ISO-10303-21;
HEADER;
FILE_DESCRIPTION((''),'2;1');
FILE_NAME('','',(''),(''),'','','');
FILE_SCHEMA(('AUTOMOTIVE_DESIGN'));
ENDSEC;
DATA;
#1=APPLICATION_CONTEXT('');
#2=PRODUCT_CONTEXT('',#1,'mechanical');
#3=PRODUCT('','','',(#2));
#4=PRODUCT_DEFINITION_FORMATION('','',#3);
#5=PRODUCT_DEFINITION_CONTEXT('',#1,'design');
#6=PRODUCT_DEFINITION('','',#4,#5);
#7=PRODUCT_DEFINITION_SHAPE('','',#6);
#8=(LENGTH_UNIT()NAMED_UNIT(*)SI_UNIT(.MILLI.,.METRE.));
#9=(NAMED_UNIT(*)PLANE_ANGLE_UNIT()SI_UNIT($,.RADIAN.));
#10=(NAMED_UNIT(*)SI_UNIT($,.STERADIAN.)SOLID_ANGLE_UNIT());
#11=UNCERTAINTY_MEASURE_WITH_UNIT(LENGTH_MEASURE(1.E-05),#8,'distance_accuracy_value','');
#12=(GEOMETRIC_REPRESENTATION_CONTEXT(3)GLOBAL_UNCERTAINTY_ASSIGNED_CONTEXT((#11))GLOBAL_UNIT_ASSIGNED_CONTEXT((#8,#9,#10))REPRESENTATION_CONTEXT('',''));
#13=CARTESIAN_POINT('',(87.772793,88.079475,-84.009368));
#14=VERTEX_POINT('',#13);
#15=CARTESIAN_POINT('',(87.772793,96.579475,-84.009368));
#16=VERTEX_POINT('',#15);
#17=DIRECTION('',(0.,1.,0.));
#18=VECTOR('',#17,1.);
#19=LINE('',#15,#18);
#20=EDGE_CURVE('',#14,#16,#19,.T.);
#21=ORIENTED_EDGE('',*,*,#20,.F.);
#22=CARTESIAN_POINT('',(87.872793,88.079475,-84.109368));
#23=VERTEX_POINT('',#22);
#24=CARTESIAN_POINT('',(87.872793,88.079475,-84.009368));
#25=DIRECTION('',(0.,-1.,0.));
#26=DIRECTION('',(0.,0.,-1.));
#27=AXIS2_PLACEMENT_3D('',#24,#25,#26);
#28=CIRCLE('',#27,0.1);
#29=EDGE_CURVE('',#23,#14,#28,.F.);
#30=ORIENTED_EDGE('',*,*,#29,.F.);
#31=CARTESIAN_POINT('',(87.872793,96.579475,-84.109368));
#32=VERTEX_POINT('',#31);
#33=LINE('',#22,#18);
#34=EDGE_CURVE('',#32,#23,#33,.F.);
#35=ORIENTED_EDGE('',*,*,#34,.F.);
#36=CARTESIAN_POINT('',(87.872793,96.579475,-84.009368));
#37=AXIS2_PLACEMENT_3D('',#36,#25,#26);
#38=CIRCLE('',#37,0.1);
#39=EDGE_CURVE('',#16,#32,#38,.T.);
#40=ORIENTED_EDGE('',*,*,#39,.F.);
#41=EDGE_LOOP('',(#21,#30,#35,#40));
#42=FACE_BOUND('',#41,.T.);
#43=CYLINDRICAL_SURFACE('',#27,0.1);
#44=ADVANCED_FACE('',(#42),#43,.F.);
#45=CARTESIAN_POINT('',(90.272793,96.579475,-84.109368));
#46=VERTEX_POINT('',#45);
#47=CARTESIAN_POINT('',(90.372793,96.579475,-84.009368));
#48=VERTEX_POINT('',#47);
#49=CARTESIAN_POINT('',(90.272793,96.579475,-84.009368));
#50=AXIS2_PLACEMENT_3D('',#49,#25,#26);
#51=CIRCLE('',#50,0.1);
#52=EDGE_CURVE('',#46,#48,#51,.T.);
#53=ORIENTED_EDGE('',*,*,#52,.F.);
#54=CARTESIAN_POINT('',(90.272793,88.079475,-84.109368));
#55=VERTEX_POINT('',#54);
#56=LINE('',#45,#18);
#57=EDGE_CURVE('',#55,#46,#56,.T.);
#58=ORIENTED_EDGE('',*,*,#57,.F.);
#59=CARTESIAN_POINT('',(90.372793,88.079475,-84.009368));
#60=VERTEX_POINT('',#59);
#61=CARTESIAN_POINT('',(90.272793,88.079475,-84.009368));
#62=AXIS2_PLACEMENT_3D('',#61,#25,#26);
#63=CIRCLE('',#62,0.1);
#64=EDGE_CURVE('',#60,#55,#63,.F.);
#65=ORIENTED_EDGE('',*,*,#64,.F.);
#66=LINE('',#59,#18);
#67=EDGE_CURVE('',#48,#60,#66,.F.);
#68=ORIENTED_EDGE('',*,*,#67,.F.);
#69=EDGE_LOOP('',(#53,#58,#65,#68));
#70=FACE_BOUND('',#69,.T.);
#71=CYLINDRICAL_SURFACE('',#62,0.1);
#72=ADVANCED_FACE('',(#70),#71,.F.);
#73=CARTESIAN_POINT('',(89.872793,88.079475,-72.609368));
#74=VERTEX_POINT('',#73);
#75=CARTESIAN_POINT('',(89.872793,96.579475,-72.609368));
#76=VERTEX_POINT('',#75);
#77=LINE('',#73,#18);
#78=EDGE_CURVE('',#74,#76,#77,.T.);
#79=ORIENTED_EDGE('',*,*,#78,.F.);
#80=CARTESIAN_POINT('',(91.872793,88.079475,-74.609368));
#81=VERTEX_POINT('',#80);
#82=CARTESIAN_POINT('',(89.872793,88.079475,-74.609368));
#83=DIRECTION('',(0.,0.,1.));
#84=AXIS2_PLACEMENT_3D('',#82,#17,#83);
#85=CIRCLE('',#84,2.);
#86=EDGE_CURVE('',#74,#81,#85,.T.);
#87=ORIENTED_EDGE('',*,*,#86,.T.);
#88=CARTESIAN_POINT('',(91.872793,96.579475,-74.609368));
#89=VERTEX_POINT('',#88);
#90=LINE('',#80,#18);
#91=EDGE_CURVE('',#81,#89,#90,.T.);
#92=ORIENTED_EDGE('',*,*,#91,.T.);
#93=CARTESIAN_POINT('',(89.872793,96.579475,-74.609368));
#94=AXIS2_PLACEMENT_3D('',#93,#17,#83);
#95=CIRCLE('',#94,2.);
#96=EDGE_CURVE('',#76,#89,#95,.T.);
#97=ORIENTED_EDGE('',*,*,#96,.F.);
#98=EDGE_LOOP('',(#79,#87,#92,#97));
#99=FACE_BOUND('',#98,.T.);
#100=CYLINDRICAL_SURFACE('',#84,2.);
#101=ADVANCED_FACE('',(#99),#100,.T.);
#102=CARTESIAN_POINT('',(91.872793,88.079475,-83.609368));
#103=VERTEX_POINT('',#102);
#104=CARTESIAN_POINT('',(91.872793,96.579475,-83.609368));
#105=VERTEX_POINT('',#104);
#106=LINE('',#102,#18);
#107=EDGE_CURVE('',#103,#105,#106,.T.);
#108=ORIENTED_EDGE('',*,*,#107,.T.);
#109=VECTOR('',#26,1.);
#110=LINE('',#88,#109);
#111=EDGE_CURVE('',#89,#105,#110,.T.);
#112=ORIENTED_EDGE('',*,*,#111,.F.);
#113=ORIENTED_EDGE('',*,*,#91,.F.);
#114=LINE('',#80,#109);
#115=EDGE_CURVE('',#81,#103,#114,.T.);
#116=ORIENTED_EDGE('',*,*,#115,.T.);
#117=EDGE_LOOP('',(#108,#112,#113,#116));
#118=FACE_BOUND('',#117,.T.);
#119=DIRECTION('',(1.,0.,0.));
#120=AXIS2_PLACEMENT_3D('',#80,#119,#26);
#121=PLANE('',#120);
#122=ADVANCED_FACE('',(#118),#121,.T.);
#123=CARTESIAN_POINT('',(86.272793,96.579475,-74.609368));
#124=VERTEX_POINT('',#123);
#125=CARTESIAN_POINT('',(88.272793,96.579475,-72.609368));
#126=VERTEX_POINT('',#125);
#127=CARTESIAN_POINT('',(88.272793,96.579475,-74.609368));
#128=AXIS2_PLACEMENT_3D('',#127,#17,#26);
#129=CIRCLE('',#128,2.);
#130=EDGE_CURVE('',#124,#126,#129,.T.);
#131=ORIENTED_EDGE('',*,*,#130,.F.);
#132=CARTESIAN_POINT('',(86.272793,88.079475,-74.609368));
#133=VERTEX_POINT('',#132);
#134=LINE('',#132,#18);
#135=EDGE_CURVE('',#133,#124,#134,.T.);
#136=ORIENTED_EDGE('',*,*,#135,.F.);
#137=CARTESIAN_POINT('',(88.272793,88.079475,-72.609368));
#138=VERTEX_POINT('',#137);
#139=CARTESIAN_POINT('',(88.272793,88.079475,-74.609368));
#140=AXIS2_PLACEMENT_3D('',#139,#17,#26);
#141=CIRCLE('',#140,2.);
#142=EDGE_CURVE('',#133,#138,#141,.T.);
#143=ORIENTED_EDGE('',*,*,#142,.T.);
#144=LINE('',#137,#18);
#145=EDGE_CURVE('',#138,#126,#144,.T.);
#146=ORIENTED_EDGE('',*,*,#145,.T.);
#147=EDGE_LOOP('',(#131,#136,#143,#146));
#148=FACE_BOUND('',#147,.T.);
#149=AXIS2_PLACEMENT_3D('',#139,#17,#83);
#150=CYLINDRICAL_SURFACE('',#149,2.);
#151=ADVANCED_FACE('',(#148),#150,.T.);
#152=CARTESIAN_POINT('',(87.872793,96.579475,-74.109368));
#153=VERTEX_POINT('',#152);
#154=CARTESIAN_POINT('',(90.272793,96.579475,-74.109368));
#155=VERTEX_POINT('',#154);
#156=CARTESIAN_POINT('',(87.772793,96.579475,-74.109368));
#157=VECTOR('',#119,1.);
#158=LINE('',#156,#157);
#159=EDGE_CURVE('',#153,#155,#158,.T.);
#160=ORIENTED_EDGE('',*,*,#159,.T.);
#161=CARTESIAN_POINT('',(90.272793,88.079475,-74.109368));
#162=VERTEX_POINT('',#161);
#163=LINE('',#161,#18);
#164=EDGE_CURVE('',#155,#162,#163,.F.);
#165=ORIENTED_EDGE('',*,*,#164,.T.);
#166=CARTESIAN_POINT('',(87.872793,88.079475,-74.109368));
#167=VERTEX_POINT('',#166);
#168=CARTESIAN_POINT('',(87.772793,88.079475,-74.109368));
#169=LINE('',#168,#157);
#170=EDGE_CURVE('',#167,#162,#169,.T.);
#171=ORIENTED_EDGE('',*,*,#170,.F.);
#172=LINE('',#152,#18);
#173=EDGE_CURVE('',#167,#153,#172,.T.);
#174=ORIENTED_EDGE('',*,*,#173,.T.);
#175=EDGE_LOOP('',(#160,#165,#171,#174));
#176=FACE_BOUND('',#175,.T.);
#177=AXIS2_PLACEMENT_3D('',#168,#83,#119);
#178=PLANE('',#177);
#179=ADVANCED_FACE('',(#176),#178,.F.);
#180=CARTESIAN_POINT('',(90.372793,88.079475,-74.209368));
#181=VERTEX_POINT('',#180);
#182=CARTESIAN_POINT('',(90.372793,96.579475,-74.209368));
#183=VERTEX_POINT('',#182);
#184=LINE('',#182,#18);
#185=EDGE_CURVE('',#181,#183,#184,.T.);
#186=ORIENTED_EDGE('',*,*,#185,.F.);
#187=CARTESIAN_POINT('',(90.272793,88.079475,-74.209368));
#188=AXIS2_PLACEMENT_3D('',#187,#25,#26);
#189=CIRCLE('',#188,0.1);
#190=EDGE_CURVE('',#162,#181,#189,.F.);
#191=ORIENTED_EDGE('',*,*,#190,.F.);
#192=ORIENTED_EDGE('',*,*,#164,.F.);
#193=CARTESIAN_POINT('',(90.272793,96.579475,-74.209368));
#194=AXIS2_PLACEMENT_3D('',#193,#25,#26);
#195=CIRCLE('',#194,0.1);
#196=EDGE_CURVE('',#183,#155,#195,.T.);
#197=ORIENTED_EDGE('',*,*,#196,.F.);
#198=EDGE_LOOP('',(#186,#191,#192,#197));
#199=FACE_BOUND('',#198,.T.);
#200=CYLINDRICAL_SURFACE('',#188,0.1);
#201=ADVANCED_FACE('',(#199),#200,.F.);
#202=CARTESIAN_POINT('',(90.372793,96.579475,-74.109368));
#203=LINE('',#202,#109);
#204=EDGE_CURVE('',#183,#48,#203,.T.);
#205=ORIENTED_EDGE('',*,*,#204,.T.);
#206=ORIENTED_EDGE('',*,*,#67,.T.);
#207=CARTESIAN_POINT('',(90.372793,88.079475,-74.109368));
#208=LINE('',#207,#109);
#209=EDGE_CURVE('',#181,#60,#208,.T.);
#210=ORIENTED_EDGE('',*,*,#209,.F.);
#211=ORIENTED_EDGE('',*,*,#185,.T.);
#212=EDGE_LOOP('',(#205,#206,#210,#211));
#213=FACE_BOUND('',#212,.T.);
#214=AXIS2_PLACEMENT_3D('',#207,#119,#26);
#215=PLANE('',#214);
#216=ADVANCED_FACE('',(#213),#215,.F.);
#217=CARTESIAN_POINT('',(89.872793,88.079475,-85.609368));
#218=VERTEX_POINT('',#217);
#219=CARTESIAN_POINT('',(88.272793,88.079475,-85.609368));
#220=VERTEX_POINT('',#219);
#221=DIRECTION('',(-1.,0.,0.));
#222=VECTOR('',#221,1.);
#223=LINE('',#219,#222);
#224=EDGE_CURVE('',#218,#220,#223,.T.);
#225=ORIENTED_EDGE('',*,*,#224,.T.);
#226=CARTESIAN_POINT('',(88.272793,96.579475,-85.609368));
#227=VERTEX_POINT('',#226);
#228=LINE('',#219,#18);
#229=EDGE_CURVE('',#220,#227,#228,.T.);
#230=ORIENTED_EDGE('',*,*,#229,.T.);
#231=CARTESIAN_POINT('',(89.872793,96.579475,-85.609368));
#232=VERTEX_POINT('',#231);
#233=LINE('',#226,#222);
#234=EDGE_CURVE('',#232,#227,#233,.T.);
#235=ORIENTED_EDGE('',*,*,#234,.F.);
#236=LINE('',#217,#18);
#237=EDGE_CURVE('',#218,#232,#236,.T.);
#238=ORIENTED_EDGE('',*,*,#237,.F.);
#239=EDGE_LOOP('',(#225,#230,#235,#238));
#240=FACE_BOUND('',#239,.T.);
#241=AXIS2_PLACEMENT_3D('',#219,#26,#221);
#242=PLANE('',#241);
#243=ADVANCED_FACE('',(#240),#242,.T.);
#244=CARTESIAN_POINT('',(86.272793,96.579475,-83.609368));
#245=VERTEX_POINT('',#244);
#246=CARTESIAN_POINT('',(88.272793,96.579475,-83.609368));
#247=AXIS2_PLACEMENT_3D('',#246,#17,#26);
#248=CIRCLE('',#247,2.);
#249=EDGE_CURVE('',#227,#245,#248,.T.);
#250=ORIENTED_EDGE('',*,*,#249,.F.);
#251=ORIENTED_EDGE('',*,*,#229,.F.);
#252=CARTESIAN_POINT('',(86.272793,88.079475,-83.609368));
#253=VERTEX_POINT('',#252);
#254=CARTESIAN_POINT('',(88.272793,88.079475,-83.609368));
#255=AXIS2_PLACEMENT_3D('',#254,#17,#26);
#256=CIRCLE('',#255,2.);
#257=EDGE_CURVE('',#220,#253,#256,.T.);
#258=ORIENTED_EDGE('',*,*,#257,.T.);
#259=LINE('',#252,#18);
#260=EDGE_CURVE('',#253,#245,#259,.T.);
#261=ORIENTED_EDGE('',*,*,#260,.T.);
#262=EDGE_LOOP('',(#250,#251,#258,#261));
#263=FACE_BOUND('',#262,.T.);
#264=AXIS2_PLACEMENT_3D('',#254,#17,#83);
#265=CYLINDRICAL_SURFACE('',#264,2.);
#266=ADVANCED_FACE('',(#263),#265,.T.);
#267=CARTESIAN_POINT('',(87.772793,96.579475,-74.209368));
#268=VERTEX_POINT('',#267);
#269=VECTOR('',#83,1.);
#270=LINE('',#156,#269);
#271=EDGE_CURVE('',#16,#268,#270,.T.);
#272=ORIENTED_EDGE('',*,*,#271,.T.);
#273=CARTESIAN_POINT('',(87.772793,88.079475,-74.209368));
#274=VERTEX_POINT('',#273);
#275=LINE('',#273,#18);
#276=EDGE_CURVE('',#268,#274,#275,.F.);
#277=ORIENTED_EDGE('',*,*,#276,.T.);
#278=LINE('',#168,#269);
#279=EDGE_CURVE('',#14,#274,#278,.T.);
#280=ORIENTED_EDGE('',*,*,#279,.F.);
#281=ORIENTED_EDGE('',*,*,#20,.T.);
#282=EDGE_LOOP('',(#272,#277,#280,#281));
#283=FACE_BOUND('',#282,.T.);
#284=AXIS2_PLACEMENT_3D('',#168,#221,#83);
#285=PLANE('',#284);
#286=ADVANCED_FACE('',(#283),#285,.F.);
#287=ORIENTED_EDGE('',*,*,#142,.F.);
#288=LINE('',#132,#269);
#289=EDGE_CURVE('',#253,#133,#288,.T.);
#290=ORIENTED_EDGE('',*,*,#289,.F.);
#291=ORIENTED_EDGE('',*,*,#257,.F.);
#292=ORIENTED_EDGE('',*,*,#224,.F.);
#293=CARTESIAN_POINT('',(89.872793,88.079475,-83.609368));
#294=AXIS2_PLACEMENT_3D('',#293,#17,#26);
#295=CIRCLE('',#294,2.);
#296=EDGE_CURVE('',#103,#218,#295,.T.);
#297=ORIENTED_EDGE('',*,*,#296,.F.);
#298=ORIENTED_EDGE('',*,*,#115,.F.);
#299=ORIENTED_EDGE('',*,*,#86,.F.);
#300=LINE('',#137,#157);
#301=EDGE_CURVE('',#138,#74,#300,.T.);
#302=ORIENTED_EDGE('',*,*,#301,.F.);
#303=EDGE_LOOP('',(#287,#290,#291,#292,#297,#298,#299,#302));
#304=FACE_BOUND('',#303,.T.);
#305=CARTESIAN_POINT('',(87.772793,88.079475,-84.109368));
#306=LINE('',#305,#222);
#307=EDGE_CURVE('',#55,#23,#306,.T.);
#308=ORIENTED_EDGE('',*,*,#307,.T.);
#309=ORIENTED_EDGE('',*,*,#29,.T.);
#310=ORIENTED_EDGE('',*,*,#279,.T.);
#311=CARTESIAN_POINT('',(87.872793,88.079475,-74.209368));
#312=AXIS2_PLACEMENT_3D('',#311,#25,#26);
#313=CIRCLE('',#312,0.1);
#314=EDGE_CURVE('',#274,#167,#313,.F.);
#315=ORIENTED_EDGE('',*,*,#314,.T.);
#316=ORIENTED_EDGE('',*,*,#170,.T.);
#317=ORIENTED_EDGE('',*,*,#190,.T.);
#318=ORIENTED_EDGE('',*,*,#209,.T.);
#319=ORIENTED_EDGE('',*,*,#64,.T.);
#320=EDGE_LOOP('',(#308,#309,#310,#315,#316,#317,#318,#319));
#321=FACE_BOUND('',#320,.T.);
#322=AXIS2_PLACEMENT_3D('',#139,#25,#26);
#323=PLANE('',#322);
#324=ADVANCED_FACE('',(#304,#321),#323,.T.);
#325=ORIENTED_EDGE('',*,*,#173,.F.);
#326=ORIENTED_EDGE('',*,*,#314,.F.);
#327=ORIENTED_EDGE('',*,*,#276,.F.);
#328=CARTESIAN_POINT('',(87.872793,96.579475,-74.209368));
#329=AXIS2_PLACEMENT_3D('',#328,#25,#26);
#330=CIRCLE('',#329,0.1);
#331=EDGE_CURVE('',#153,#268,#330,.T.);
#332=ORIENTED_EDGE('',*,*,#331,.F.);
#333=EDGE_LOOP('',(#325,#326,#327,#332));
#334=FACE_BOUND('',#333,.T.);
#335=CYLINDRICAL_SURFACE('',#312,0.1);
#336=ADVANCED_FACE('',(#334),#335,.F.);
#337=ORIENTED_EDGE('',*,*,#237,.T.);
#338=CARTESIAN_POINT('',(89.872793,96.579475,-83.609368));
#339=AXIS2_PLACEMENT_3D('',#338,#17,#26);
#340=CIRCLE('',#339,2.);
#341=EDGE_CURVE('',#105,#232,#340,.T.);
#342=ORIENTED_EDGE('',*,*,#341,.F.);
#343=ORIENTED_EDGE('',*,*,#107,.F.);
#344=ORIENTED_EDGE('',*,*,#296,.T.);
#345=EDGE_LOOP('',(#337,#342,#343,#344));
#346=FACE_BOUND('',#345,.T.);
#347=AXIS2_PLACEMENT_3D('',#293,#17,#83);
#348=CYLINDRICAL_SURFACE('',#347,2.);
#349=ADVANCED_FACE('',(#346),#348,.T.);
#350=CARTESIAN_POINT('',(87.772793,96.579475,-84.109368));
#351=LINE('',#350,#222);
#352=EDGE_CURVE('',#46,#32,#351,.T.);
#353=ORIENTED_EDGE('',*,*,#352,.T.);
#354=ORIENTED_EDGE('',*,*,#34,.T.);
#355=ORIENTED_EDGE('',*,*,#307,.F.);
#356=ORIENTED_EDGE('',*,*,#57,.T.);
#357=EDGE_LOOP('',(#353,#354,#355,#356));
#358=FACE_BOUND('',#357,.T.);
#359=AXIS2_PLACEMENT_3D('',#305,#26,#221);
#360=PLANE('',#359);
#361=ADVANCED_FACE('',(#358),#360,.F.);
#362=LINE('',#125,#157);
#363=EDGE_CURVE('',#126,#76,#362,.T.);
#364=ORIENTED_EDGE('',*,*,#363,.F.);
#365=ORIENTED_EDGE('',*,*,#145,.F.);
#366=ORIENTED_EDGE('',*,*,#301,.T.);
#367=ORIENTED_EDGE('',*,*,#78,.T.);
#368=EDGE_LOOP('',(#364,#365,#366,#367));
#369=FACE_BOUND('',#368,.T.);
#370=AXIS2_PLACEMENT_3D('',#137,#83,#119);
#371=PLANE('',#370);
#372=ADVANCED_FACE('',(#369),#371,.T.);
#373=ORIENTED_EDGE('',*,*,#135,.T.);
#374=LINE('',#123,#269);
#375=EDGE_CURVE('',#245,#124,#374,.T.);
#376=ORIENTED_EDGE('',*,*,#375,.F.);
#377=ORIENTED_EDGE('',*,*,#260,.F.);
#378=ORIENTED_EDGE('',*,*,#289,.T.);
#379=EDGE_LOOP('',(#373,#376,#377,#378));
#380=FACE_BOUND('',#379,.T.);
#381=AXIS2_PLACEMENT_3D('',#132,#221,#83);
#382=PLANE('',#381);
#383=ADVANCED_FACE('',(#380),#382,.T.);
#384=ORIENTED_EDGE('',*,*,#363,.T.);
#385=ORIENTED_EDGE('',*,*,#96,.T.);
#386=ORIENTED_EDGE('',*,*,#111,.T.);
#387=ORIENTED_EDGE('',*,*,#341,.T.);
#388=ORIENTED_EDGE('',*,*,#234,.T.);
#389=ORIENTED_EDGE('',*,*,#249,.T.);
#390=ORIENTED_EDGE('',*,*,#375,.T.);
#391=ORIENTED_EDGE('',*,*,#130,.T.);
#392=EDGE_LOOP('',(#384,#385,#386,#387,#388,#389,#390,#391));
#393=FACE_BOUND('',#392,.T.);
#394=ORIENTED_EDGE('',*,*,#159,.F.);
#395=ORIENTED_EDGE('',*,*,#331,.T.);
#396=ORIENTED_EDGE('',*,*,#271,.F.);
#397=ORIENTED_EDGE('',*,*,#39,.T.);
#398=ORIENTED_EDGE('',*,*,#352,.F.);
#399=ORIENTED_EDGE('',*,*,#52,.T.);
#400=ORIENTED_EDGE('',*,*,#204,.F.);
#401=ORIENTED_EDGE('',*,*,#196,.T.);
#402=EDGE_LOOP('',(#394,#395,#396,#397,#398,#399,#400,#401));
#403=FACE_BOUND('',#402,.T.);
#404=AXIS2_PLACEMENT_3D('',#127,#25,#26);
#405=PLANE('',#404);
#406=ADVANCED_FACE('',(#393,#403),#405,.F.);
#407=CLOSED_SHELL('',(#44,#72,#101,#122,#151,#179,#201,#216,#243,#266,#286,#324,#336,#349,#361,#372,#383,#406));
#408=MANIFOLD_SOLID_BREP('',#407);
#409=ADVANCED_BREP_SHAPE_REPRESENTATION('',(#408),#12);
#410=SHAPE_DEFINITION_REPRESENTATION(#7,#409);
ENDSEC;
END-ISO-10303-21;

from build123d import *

# Parameters (mm, degrees)
COIL_START = -0.7
SKETCH1_W  = 2.6
SKETCH1_H  = 10
COIL_DEPTH = 8.5
FILLET1_R  = 0.1


with BuildPart() as part:
    # Sketch1 → Coil (new body)
    with BuildSketch(Plane(origin=(0, 97.279475289, 0), x_dir=(1, 0, 0), z_dir=(0, 1, 0)).offset(COIL_START)):
        with BuildLine():
            Line((88.272792821, 72.609367759), (89.872792821, 72.609367759))
            ThreePointArc((89.872792821, 72.609367759), (91.287006384, 73.195154196), (91.872792821, 74.609367759))
            Line((91.872792821, 74.609367759), (91.872792821, 83.609367759))
            ThreePointArc((91.872792821, 83.609367759), (91.287006384, 85.023581321), (89.872792821, 85.609367759))
            Line((89.872792821, 85.609367759), (88.272792821, 85.609367759))
            ThreePointArc((88.272792821, 85.609367759), (86.858579259, 85.023581321), (86.272792821, 83.609367759))
            Line((86.272792821, 83.609367759), (86.272792821, 74.609367759))
            ThreePointArc((86.272792821, 74.609367759), (86.858579259, 73.195154196), (88.272792821, 72.609367759))
        make_face()
        with Locations((89.072792821, 79.109367759)):
            Rectangle(SKETCH1_W, SKETCH1_H, mode=Mode.SUBTRACT)
    extrude(amount=-COIL_DEPTH)

    # Fillet1
    fillet1_edges = [part.edges().sort_by_distance(p)[0] for p in [
        (90.372792821, 92.329475289, -84.109367759),
        (90.372792821, 92.329475289, -74.109367759),
        (87.772792821, 92.329475289, -74.109367759),
        (87.772792821, 92.329475289, -84.109367759),
    ]]
    fillet(fillet1_edges, radius=FILLET1_R)


solid = part.part
